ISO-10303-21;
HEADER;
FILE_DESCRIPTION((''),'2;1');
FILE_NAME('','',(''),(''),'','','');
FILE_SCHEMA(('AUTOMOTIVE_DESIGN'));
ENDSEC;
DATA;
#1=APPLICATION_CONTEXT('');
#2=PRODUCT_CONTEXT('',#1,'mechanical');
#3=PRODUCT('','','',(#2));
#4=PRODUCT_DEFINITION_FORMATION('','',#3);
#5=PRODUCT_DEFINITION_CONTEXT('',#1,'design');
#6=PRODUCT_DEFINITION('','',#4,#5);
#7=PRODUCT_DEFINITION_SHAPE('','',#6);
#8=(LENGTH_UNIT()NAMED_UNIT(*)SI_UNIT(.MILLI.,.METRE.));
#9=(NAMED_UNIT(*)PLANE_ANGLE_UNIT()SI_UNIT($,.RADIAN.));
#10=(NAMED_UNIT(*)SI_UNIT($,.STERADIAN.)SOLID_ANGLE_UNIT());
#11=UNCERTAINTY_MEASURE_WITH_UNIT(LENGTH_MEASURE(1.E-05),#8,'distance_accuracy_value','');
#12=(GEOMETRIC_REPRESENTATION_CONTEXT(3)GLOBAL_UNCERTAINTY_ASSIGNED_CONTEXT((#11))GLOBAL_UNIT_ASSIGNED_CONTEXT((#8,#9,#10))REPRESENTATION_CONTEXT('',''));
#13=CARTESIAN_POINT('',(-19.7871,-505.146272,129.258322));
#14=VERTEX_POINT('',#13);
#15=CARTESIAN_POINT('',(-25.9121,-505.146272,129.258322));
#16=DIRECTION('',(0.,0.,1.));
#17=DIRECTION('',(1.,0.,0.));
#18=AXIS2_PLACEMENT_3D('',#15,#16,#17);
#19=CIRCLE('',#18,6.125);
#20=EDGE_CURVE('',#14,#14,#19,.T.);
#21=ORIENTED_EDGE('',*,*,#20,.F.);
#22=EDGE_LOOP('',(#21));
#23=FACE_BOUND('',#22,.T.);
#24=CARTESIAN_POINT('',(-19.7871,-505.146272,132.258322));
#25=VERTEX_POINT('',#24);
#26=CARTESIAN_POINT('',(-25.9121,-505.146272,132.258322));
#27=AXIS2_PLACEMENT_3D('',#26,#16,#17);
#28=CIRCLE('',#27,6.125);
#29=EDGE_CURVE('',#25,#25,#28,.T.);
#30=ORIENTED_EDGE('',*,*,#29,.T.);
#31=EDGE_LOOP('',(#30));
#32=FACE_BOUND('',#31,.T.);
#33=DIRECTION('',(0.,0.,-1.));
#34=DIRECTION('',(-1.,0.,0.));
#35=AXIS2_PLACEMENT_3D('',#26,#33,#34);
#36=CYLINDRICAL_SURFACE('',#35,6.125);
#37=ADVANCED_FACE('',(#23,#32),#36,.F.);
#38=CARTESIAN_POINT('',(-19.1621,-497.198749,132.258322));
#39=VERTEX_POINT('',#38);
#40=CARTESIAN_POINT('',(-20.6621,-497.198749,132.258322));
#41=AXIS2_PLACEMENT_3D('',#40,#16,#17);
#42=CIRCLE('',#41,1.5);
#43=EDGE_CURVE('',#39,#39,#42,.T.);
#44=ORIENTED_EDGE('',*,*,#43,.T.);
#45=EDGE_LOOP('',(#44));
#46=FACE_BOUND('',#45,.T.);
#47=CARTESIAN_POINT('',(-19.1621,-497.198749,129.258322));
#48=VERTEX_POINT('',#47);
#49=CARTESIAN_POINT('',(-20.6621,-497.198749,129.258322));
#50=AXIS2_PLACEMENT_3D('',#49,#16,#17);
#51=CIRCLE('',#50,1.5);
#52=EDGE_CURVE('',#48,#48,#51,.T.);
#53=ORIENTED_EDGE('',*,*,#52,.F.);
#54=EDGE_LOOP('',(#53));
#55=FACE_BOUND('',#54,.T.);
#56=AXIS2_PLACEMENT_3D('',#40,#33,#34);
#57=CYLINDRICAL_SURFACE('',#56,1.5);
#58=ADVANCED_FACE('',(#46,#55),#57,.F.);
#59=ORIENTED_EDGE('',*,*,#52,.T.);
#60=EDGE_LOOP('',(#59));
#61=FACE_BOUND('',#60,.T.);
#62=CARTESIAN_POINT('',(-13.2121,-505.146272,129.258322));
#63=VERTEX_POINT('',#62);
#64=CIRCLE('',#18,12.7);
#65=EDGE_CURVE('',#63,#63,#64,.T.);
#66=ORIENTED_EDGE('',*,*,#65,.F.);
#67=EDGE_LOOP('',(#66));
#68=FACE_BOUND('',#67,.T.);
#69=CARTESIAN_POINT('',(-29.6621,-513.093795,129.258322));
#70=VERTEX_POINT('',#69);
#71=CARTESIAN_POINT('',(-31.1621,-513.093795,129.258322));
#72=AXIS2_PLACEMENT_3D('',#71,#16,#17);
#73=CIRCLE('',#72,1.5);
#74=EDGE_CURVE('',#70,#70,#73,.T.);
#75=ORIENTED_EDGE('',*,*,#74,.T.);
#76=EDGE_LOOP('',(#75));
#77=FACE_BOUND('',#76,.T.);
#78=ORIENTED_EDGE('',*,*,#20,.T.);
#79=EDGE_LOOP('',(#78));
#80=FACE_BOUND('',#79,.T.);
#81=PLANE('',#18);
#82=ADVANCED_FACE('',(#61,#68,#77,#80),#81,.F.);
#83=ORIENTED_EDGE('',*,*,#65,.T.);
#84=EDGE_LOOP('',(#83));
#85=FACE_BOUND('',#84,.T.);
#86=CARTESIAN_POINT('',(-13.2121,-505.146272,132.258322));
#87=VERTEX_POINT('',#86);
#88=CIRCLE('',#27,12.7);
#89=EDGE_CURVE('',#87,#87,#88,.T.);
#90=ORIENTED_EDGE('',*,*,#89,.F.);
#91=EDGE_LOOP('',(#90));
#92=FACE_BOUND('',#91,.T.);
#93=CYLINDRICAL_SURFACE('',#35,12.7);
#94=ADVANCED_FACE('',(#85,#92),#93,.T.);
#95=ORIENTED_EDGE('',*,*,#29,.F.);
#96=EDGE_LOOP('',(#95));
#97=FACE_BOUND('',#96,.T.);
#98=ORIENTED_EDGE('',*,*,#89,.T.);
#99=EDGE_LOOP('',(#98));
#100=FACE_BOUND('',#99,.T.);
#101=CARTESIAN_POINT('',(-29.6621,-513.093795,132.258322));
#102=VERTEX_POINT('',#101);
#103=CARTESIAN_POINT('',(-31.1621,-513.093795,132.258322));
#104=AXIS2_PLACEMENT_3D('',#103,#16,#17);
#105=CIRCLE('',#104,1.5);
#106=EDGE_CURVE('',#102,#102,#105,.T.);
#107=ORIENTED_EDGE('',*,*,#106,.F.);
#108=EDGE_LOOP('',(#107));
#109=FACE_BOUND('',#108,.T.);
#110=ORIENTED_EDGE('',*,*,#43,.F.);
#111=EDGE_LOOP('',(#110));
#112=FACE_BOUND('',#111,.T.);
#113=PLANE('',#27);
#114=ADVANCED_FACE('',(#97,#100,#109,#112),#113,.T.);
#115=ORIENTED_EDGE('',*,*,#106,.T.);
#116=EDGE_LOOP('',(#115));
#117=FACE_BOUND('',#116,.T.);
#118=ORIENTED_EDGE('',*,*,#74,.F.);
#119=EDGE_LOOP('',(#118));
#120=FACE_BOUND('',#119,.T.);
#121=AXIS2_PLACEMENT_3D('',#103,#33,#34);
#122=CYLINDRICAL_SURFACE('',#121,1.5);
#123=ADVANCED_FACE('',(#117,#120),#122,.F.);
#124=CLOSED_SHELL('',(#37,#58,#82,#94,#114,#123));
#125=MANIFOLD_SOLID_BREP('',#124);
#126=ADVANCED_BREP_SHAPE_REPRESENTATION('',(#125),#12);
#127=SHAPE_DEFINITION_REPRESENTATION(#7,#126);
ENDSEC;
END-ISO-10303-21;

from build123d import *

# Parameters (mm, degrees)
SKETCH2_R           = 12.7
SKETCH2_R_2         = 6.125
SKETCH2_R_3         = 1.5
BOSS_EXTRUDE1_DEPTH = 3


with BuildPart() as part:
    # Sketch2 → Boss-Extrude1 (new body)
    with BuildSketch(Plane.XY.offset(129.258321615)):
        with Locations((-25.912099998, -505.146272004)):
            Circle(SKETCH2_R)
        with Locations((-25.912099998, -505.146272004)):
            Circle(SKETCH2_R_2, mode=Mode.SUBTRACT)
        with Locations((-31.162099998, -513.093795204)):
            Circle(SKETCH2_R_3, mode=Mode.SUBTRACT)
        with Locations((-20.662099998, -497.198748805)):
            Circle(SKETCH2_R_3, mode=Mode.SUBTRACT)
    extrude(amount=BOSS_EXTRUDE1_DEPTH)


solid = part.part
